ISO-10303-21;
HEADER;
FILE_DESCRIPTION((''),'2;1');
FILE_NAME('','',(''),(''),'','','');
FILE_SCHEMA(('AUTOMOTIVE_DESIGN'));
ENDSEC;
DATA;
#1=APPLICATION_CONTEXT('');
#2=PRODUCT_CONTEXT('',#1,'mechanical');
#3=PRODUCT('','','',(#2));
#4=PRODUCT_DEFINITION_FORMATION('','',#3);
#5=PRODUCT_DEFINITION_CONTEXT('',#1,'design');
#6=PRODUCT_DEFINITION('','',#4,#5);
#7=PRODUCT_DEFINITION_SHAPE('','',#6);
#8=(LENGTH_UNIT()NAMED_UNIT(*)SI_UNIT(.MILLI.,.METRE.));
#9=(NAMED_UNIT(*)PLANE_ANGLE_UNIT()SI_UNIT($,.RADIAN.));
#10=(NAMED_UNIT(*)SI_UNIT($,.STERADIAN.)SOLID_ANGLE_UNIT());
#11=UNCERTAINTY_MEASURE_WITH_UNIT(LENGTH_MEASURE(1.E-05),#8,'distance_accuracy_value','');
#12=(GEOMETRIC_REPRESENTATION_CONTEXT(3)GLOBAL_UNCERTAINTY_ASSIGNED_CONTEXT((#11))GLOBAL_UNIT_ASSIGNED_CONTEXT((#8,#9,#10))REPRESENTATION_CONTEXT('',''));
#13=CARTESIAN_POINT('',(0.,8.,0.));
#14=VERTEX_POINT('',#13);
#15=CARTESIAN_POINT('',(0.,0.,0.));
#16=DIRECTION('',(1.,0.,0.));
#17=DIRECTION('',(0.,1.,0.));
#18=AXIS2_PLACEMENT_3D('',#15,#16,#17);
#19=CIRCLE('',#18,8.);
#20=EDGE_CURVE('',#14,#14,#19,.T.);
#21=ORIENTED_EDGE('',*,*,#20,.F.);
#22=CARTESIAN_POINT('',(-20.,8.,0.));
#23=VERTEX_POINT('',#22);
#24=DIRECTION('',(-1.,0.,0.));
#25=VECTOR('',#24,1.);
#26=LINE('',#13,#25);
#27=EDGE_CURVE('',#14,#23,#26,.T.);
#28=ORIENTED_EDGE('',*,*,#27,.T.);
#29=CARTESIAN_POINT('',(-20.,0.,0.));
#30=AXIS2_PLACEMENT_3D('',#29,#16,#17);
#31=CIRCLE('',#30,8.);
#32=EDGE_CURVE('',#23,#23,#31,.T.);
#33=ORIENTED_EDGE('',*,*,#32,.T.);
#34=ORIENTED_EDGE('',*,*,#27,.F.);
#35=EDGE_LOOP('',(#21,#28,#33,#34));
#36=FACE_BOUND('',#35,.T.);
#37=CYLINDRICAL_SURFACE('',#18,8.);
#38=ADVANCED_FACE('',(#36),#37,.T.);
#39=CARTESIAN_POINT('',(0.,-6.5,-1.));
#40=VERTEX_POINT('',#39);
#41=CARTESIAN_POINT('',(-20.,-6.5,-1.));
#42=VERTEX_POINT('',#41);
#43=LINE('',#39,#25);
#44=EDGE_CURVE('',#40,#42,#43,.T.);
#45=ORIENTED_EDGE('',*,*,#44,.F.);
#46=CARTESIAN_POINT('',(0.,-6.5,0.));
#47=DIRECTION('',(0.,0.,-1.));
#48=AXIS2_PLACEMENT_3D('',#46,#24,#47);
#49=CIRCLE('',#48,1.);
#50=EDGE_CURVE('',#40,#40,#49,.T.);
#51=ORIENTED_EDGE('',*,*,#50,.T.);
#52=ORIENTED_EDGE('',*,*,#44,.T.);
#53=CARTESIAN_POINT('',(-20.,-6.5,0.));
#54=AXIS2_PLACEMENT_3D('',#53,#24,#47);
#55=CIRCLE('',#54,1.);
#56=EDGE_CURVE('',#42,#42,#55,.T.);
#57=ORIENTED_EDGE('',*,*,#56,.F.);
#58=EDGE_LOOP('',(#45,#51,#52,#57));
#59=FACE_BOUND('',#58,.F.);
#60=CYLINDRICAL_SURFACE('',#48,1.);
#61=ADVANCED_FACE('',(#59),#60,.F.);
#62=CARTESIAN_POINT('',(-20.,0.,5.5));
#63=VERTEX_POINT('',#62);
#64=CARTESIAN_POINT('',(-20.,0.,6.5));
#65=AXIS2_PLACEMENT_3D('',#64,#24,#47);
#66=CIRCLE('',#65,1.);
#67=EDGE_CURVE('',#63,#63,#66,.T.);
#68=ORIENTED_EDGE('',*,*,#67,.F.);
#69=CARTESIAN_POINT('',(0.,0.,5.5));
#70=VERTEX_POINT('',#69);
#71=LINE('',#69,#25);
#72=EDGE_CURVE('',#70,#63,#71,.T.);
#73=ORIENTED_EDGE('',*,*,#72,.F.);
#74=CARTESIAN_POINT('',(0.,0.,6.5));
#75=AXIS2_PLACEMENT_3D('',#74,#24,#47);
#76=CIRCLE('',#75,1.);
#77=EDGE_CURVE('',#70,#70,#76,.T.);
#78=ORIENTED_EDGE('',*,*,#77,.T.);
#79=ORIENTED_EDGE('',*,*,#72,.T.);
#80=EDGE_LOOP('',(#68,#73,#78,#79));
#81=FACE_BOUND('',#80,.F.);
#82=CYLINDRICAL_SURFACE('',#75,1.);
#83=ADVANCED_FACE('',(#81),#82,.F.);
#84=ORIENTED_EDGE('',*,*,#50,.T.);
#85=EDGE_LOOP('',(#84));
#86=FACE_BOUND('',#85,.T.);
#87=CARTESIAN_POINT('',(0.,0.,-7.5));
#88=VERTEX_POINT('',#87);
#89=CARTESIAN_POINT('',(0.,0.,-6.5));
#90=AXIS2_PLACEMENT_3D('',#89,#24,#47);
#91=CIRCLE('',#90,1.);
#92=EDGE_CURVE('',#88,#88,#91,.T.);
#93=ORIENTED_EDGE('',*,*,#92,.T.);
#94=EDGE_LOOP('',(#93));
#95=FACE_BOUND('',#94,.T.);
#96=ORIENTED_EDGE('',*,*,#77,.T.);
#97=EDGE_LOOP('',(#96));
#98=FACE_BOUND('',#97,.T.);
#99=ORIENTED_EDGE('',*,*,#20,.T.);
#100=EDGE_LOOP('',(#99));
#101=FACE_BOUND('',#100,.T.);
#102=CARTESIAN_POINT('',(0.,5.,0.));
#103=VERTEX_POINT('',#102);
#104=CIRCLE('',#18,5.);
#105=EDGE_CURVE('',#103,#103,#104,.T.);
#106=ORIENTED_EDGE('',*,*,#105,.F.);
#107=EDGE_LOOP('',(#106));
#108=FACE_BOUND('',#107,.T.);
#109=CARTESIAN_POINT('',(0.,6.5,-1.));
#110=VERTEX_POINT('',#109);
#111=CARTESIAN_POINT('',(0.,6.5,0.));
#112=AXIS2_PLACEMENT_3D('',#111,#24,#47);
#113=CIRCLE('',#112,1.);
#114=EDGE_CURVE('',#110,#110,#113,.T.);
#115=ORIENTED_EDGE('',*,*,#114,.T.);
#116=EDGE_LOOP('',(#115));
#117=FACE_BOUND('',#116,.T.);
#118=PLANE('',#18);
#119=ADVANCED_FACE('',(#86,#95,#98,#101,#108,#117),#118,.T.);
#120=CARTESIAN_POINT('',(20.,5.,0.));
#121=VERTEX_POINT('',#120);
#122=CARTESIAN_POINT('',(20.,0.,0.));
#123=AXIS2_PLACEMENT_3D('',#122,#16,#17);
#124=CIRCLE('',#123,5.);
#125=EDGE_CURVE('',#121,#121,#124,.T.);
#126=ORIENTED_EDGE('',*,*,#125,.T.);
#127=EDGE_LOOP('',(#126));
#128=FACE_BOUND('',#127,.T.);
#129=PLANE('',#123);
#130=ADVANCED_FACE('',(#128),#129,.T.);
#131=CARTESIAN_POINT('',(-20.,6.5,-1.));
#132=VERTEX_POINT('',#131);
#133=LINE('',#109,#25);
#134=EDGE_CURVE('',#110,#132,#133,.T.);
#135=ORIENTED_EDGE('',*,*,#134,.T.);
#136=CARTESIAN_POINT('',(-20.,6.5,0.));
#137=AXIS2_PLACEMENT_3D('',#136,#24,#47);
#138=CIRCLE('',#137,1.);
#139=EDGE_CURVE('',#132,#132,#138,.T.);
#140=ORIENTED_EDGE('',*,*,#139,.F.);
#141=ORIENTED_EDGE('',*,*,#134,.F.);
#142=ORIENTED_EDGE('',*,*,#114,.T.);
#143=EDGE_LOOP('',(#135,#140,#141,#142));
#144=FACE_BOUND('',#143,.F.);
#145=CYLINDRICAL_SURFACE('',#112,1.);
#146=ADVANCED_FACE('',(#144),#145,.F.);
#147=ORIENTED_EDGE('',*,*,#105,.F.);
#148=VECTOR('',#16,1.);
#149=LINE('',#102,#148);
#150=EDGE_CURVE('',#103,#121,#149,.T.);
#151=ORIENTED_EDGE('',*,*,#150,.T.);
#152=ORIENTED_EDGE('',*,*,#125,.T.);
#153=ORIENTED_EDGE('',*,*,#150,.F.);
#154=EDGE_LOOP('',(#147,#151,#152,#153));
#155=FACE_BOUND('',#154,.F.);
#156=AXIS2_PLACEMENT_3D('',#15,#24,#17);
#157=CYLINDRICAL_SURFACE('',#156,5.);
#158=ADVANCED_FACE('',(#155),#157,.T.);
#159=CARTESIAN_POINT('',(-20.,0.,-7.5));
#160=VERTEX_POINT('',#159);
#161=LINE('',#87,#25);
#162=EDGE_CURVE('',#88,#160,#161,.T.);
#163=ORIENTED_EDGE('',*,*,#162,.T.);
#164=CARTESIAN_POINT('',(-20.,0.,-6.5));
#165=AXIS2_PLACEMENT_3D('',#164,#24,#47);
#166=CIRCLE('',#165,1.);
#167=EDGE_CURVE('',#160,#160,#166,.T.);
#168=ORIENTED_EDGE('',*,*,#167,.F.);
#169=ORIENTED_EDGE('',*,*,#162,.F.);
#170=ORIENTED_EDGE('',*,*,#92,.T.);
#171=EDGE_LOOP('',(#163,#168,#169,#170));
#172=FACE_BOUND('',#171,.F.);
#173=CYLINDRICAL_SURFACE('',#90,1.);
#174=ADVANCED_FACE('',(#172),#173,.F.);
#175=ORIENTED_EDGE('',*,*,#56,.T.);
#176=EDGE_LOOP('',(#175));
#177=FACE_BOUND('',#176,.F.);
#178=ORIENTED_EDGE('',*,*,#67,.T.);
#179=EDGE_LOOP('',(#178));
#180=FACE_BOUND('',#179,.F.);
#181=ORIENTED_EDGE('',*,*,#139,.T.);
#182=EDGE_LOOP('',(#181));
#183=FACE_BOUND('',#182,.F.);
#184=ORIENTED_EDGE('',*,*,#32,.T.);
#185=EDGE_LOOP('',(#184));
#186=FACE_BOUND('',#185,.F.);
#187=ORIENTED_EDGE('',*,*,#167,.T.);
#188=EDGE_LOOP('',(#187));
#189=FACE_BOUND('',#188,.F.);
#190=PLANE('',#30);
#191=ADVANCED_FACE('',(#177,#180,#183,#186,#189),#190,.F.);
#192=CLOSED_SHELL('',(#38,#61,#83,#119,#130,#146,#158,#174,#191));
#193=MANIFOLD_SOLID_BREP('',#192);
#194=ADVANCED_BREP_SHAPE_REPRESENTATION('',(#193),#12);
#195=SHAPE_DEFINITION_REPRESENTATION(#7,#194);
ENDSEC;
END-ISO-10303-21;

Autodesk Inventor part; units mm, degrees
ref_plane "YZ Plane" through (0, 0, 0) normal (1, 0, 0) x (0, 1, 0)
ref_plane "XZ Plane" through (0, 0, 0) normal (0, 1, 0) x (-1, 0, 0)
ref_plane "XY Plane" through (0, 0, 0) normal (0, 0, 1) x (1, 0, 0)
sketch "Sketch1" plane through (0, 0, 0) normal (1, 0, 0) x (0, 1, 0)
  circle A0 centre (0, 0) radius 8
  circle A1 centre (0, 0) radius 5
  circle A2 centre (0, 0) radius 6.5
  point P0 (6.5, 0)
  point P1 (0, 6.5)
  point P2 (-6.5, 0)
  point P3 (0, -6.5)
  dimension "d0" = 16
  dimension "d5" = 13
extrude "Extrusion1" add sketch "Sketch1" against normal blind 20 contours A0 | A1 | A2
extrude "Extrusion2" add sketch "Sketch1" along normal blind 20 contours A1
hole "Hole1" at (0, 6.5, 0) at (0, 0, 6.5) at (0, -6.5, 0) at (0, 0, -6.5) direction (-1, 0, 0) diameter 2 end through all
properties part number "suspension2chassiscylindricalshaft"
